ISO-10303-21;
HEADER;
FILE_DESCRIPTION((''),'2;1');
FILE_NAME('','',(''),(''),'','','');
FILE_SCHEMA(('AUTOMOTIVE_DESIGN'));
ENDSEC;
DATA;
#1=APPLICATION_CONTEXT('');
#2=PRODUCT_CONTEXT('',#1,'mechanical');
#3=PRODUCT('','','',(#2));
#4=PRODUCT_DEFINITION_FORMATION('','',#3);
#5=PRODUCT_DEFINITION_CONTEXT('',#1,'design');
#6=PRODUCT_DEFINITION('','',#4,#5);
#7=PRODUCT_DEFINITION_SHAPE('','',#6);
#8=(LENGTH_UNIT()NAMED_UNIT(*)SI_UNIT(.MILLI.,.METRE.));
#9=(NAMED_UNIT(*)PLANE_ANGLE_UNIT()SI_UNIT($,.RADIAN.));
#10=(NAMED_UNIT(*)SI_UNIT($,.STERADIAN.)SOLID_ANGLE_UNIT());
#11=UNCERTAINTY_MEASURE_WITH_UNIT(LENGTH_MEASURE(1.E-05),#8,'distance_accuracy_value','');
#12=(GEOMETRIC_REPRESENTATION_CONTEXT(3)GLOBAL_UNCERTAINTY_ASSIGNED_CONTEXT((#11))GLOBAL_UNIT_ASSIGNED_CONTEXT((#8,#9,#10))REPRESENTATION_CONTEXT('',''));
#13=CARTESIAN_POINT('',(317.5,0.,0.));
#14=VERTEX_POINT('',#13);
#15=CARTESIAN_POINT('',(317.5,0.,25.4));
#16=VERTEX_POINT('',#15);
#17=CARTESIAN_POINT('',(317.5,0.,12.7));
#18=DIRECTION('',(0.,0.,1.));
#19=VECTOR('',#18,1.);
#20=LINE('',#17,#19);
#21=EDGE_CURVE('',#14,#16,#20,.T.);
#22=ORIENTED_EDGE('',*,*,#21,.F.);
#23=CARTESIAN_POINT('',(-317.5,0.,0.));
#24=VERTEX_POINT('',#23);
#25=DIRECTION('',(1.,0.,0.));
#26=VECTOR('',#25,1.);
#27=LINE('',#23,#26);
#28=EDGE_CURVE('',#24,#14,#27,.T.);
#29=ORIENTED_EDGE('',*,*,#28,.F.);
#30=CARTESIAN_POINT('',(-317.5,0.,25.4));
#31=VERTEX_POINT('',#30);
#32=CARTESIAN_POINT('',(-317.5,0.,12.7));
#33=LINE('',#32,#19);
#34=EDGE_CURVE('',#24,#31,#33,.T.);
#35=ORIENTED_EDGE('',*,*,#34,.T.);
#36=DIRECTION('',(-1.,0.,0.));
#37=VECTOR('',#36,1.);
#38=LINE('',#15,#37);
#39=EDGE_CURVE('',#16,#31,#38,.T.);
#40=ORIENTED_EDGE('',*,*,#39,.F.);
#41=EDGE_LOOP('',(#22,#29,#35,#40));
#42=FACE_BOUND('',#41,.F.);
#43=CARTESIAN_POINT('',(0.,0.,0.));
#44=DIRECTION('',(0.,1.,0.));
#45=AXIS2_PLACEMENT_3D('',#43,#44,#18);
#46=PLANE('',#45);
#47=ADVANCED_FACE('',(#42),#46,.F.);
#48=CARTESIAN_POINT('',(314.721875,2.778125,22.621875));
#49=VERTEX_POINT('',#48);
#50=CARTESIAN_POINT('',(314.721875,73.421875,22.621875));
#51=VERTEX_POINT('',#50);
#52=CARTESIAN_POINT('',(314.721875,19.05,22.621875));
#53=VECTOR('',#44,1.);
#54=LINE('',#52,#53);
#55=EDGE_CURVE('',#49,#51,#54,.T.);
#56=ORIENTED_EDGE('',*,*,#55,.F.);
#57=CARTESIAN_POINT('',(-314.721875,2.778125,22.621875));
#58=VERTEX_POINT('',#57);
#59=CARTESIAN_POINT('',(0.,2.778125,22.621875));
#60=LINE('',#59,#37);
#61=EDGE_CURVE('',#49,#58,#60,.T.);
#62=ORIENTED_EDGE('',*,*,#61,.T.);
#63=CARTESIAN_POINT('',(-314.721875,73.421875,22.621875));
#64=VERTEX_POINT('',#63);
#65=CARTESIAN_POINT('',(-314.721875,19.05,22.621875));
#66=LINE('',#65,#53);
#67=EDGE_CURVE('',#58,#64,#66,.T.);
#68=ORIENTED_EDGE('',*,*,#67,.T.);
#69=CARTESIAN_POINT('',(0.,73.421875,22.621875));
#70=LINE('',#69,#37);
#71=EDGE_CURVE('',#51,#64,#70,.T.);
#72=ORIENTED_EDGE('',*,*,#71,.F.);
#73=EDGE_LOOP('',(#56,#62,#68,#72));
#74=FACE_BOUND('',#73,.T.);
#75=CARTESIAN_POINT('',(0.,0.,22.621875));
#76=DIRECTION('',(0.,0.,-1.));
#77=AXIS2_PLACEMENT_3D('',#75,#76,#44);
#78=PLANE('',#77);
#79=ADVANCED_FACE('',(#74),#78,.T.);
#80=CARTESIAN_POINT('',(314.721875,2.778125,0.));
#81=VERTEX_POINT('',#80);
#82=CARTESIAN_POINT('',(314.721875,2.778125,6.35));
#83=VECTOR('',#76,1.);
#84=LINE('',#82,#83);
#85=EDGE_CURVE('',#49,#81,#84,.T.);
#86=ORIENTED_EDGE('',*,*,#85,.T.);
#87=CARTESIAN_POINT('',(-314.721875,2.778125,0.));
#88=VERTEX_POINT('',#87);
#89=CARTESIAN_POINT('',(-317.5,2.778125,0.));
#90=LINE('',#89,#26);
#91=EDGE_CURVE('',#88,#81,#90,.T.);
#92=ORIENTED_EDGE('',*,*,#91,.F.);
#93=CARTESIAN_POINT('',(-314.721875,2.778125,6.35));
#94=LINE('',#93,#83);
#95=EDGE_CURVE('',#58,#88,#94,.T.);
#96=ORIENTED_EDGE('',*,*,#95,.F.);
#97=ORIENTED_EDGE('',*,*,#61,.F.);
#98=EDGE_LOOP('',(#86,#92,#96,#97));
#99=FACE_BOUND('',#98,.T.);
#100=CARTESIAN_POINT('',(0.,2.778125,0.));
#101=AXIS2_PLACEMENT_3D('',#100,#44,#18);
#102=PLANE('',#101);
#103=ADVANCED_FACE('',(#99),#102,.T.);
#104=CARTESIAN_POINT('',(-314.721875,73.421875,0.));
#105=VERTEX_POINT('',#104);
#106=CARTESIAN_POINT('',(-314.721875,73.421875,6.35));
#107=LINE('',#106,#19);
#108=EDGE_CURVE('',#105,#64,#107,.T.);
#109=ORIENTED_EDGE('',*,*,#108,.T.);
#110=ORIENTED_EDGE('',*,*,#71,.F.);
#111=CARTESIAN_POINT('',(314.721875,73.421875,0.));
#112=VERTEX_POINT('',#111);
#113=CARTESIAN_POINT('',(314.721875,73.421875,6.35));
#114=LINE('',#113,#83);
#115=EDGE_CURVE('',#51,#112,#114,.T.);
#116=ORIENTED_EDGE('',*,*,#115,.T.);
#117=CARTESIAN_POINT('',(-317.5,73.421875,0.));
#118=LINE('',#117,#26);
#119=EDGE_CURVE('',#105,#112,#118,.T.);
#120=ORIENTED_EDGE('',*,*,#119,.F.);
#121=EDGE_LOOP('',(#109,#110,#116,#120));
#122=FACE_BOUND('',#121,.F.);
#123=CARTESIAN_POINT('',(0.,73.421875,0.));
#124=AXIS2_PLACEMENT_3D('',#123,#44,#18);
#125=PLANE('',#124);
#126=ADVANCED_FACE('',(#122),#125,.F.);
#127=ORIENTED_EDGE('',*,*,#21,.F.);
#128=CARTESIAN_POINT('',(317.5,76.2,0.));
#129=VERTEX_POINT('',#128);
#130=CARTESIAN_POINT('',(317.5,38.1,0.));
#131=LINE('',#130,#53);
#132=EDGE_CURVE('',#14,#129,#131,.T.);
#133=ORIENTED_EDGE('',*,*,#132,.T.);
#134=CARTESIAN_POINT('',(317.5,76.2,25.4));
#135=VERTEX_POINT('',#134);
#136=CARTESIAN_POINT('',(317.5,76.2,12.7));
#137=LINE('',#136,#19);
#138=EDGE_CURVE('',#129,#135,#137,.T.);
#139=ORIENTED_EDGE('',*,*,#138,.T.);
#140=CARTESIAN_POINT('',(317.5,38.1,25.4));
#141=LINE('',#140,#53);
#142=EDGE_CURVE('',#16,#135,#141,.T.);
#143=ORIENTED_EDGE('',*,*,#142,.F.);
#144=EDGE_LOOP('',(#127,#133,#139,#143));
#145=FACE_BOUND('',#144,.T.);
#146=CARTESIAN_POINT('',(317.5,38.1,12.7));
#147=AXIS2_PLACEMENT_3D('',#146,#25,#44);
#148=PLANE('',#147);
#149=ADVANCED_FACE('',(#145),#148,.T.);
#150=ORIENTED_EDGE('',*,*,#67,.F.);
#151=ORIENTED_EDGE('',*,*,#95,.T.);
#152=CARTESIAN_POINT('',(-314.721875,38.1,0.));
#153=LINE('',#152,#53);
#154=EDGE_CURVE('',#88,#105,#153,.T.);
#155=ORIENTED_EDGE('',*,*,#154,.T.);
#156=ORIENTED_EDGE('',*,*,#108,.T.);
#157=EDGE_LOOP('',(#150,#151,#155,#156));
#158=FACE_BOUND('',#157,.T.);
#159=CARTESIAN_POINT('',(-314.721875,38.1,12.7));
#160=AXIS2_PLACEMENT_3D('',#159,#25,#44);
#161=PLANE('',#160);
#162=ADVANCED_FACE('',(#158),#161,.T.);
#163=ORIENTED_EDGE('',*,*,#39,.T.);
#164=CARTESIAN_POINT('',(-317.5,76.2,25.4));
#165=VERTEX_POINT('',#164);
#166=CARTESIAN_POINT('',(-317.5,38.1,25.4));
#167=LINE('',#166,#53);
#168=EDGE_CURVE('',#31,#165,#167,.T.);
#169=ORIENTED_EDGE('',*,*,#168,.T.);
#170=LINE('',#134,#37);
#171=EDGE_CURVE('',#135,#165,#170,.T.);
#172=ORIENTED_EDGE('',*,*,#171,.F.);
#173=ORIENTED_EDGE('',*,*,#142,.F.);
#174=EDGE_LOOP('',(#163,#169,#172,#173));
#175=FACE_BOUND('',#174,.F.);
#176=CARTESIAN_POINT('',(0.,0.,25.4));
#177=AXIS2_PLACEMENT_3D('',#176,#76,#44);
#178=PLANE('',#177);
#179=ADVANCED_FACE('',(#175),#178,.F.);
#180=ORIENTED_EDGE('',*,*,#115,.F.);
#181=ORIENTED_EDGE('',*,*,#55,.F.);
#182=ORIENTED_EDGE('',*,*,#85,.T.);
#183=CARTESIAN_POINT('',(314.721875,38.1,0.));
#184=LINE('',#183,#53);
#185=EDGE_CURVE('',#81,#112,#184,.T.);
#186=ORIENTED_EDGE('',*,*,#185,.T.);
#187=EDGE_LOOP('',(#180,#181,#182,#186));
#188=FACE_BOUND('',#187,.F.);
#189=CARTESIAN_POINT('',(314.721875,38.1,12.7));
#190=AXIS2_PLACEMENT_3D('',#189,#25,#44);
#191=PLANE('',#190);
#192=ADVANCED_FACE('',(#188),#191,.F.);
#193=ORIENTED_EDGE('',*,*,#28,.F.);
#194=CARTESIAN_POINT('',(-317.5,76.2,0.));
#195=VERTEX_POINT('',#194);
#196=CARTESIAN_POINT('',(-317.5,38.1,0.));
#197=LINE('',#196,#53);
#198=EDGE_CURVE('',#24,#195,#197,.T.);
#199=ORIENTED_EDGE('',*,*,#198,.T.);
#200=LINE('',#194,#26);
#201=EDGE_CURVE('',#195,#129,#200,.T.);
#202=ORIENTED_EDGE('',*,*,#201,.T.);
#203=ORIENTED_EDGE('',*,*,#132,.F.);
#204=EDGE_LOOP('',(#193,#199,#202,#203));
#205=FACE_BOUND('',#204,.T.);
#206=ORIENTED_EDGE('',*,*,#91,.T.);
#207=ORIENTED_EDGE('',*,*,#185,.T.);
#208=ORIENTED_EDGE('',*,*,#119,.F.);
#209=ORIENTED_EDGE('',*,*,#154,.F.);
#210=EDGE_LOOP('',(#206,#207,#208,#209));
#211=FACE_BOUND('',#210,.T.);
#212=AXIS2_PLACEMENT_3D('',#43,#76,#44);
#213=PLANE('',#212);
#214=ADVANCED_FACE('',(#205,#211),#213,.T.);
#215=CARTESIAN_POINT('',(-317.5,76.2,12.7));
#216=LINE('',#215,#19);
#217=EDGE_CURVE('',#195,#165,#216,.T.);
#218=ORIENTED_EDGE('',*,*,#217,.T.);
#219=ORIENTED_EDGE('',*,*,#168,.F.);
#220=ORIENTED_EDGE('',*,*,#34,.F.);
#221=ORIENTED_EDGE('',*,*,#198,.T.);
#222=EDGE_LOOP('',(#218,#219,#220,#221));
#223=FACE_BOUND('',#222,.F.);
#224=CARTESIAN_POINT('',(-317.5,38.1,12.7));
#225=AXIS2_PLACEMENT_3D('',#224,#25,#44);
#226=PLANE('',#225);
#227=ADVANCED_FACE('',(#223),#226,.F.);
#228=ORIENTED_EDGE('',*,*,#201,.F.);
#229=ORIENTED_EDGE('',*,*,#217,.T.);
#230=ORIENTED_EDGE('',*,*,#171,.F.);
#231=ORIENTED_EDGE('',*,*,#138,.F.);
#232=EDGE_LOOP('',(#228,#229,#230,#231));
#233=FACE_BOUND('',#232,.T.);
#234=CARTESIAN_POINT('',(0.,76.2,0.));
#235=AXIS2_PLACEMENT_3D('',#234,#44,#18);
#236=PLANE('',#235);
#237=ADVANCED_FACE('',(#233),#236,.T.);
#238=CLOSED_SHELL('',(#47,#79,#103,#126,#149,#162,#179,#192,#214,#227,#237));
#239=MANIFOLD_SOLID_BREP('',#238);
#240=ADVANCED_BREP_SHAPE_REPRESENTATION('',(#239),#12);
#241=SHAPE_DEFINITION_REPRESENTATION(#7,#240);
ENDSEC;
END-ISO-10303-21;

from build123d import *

# Parameters (mm, degrees)
F0_W     = 76.2
F0_H     = 25.4
F1_DEPTH = 317.5
F2_T     = -2.778125


with BuildPart() as f1:
    # F0 (on Right) → F1 (new body, symmetric)
    with BuildSketch(Plane.YZ):
        with Locations((38.1, 12.7)):
            Rectangle(F0_W, F0_H)
    extrude(amount=F1_DEPTH, both=True)

    # F2
    f2_openings = [f1.faces().sort_by_distance(p)[0] for p in [
        (0, 38.1, 0),
    ]]
    offset(amount=F2_T, openings=f2_openings)


solid = f1.part
